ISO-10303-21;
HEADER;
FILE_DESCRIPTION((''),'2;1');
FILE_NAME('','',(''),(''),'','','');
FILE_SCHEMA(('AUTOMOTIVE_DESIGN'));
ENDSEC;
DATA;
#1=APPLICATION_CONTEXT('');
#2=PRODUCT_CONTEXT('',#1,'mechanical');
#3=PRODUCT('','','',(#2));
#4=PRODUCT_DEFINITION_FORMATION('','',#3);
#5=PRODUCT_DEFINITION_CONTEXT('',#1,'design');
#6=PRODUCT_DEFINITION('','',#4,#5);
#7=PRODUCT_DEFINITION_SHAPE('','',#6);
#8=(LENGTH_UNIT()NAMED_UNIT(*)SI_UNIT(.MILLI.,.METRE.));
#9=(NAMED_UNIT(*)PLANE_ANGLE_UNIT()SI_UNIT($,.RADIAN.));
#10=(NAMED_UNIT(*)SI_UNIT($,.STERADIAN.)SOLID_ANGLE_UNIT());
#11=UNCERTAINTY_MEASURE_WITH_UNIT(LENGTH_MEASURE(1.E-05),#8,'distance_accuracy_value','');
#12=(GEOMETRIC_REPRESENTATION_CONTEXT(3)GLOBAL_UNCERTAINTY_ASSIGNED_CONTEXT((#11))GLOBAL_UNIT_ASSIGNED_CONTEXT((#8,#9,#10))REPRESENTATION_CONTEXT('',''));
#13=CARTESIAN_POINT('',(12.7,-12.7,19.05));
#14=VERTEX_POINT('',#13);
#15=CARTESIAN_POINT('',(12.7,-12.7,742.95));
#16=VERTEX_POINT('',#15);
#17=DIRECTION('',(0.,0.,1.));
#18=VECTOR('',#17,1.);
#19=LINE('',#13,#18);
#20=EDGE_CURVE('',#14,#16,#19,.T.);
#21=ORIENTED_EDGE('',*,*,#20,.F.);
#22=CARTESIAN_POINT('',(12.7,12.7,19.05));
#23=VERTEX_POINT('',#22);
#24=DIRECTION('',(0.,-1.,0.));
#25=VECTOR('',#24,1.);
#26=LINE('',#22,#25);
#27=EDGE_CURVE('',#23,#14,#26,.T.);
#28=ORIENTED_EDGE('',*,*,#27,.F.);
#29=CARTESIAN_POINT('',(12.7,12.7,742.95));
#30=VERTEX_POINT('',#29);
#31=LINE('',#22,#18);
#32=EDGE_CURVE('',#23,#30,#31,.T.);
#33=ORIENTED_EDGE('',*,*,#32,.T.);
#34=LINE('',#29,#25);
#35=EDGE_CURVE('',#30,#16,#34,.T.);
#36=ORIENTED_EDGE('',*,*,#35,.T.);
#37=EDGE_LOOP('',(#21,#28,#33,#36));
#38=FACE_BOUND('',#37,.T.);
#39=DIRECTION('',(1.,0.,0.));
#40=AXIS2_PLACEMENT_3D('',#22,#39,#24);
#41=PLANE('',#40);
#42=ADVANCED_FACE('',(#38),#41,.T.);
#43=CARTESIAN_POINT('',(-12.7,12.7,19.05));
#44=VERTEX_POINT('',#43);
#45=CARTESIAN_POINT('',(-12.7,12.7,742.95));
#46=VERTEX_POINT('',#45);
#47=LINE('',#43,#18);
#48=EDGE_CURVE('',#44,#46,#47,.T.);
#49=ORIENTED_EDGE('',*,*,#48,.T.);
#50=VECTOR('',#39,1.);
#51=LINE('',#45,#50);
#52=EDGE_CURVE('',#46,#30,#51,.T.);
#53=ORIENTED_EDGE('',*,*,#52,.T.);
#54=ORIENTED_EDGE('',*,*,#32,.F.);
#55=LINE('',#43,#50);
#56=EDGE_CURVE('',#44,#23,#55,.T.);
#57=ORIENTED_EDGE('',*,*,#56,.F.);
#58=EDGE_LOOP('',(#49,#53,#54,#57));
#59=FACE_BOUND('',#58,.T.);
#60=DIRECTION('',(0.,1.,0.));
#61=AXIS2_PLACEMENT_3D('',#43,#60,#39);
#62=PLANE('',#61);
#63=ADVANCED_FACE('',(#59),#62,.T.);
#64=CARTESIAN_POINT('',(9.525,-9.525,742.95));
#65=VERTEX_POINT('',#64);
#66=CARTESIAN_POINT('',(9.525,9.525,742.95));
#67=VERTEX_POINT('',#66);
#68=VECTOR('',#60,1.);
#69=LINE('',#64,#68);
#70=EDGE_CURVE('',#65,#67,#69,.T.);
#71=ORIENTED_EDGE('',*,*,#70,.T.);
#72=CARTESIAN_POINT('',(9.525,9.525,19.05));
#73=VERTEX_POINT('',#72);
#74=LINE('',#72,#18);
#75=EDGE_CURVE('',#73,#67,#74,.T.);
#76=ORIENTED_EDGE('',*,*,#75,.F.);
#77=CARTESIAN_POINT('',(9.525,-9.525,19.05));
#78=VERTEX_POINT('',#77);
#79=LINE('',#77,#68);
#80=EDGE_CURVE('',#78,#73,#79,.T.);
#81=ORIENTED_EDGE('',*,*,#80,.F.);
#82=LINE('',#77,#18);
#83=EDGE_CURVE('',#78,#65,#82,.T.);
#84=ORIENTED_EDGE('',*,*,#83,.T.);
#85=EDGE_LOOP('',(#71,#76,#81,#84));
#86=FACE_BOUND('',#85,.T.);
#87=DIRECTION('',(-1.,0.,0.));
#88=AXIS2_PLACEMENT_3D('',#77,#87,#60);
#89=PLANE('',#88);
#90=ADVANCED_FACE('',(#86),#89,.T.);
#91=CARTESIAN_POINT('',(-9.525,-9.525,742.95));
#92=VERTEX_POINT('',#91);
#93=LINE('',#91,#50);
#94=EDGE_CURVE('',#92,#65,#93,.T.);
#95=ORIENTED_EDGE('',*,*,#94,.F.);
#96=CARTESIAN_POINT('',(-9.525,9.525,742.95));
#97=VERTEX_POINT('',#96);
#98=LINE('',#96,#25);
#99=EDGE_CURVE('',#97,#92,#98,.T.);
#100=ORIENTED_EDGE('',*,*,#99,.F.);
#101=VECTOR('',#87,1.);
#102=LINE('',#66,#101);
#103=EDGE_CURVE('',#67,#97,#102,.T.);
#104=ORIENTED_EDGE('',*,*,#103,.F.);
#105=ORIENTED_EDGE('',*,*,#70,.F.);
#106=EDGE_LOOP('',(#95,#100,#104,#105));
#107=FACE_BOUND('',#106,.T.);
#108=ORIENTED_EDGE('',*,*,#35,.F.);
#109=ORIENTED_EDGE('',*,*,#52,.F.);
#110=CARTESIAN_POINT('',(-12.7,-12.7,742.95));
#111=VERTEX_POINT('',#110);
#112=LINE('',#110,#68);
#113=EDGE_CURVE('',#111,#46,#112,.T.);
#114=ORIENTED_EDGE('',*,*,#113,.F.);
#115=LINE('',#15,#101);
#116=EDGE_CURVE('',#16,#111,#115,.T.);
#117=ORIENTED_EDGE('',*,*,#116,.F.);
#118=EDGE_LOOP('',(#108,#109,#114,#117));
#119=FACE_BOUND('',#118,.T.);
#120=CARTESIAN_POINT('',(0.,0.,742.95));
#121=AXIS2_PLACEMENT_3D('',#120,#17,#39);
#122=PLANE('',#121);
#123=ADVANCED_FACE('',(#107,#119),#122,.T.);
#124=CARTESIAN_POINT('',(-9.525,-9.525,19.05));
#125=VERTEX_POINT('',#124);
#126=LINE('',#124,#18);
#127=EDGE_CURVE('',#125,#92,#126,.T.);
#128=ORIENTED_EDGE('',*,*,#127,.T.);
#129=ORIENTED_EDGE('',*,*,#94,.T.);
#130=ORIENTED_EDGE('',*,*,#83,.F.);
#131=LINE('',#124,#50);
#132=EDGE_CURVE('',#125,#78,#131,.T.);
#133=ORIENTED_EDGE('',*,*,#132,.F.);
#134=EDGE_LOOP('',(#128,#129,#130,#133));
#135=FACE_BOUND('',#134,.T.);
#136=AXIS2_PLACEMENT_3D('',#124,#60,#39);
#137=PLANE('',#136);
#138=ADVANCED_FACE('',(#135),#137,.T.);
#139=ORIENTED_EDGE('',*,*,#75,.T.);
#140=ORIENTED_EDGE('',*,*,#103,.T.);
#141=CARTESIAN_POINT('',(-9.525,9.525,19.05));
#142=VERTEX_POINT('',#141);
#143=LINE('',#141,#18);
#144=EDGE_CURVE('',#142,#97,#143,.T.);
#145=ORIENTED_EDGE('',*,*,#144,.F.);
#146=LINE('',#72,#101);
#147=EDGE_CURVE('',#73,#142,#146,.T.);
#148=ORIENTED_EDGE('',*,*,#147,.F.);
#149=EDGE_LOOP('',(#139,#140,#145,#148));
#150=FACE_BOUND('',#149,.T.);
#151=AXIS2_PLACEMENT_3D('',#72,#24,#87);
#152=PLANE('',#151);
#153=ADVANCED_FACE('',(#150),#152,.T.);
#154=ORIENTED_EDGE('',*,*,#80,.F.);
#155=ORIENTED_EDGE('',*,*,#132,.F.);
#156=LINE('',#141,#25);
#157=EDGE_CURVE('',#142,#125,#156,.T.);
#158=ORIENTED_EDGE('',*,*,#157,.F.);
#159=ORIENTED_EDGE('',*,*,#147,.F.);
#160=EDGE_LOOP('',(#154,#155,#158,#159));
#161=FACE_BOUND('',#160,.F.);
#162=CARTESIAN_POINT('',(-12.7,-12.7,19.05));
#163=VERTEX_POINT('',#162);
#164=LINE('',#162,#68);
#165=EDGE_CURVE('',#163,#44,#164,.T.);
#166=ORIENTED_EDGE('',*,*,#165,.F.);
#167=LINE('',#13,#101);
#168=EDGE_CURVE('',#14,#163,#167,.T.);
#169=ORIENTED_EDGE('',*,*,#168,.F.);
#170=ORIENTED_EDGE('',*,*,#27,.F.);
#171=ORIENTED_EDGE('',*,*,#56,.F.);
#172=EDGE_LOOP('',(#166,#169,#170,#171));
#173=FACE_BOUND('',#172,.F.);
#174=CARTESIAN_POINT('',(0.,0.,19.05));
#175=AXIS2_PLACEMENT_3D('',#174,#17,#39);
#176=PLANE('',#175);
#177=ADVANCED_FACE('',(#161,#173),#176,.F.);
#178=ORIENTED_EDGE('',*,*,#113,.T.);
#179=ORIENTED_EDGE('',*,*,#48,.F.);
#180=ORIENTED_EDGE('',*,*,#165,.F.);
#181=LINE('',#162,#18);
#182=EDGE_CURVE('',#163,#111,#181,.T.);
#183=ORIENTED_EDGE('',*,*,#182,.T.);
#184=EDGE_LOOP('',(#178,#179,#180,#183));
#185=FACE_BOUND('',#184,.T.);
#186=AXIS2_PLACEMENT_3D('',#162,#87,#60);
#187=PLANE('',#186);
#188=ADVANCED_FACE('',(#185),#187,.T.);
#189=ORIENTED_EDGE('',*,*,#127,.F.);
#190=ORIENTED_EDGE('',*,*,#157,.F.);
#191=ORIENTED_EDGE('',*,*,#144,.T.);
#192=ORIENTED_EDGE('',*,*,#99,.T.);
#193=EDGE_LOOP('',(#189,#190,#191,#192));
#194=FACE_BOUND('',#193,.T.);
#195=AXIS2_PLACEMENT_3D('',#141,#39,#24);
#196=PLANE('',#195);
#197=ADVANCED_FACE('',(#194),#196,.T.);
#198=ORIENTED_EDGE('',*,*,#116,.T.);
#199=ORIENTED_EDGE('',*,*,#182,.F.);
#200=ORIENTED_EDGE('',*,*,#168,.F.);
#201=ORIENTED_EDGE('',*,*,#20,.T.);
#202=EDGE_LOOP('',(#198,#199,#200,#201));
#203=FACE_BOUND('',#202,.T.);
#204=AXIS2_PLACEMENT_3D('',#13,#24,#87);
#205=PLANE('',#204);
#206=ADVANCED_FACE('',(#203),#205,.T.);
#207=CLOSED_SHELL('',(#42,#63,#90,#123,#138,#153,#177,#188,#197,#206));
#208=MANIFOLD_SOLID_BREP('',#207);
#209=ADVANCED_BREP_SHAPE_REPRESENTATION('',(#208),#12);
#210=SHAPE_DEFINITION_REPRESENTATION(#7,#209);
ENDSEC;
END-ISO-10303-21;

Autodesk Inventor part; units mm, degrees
ref_plane "Start Plane" through (0, 0, 19.05) normal (0, 0, 1) x (1, 0, 0)
ref_plane "End Plane" through (0, 0, 742.95) normal (0, 0, 1) x (1, 0, 0)
sketch "Sketch" plane through (0, 0, 0) normal (0, 0, 1) x (1, 0, 0)
  line L0 (-12.7, 12.7) -> (12.7, 12.7)
  line L1 (12.7, 12.7) -> (12.7, -12.7)
  line L2 (12.7, -12.7) -> (-12.7, -12.7)
  line L3 (-12.7, -12.7) -> (-12.7, 12.7)
  line L4 (9.525, 9.525) -> (-9.525, 9.525)
  line L5 (-9.525, 9.525) -> (-9.525, -9.525)
  line L6 (-9.525, -9.525) -> (9.525, -9.525)
  line L7 (9.525, -9.525) -> (9.525, 9.525)
  point P0 (0, 0)
  point P1 (0, 12.7)
  point P2 (-12.7, 0)
  dimension "width" = 25.4
  dimension "d1" = 3.175
extrude "Body" add sketch "Sketch" along normal up to surface (723.9 mm away) from surface at 19.05
sketch "Sketch4" plane through (0, 0, 0) normal (0, 0, 1) x (1, 0, 0)
  line L0 (0, 0) -> (10, 0)
ref_plane "Work Plane4" through (0, 0, 0) normal (0, -1, 0) x (1, 0, 0)
sketch "Sketch5" plane through (0, 0, 0) normal (0, -1, 0) x (1, 0, 0)
  line L0 (-2, 19.05) -> (12, 19.05)
  line L1 (-2, 742.95) -> (12, 742.95)
  dimension "d9" = 723.9
ref_plane "Work Plane5" through (19.05, 76.2, 742.95) normal (0, 0, 1) x (1, 0, 0)
split "Split1" plane through (19.05, 76.2, 742.95) removes the side toward (0, 0, 1)
ref_plane "Work Plane6" through (-19.05, 76.2, 19.05) normal (0, 0, -1) x (-1, 0, 0)
split "Split2" plane through (-19.05, 76.2, 19.05) removes the side toward (0, 0, -1)
equation "\"G_OFFSET_START\" = -19.05"
equation "\"G_OFFSET_END\" = -19.05"
equation "\"d4\" = -G_OFFSET_START"
equation "\"d5\" = length + G_OFFSET_END"
equation "\"G_L\" = 762"
equation "\"length\" = 762"
properties part number "Square Tube Profile" material "Aluminum-6061"
